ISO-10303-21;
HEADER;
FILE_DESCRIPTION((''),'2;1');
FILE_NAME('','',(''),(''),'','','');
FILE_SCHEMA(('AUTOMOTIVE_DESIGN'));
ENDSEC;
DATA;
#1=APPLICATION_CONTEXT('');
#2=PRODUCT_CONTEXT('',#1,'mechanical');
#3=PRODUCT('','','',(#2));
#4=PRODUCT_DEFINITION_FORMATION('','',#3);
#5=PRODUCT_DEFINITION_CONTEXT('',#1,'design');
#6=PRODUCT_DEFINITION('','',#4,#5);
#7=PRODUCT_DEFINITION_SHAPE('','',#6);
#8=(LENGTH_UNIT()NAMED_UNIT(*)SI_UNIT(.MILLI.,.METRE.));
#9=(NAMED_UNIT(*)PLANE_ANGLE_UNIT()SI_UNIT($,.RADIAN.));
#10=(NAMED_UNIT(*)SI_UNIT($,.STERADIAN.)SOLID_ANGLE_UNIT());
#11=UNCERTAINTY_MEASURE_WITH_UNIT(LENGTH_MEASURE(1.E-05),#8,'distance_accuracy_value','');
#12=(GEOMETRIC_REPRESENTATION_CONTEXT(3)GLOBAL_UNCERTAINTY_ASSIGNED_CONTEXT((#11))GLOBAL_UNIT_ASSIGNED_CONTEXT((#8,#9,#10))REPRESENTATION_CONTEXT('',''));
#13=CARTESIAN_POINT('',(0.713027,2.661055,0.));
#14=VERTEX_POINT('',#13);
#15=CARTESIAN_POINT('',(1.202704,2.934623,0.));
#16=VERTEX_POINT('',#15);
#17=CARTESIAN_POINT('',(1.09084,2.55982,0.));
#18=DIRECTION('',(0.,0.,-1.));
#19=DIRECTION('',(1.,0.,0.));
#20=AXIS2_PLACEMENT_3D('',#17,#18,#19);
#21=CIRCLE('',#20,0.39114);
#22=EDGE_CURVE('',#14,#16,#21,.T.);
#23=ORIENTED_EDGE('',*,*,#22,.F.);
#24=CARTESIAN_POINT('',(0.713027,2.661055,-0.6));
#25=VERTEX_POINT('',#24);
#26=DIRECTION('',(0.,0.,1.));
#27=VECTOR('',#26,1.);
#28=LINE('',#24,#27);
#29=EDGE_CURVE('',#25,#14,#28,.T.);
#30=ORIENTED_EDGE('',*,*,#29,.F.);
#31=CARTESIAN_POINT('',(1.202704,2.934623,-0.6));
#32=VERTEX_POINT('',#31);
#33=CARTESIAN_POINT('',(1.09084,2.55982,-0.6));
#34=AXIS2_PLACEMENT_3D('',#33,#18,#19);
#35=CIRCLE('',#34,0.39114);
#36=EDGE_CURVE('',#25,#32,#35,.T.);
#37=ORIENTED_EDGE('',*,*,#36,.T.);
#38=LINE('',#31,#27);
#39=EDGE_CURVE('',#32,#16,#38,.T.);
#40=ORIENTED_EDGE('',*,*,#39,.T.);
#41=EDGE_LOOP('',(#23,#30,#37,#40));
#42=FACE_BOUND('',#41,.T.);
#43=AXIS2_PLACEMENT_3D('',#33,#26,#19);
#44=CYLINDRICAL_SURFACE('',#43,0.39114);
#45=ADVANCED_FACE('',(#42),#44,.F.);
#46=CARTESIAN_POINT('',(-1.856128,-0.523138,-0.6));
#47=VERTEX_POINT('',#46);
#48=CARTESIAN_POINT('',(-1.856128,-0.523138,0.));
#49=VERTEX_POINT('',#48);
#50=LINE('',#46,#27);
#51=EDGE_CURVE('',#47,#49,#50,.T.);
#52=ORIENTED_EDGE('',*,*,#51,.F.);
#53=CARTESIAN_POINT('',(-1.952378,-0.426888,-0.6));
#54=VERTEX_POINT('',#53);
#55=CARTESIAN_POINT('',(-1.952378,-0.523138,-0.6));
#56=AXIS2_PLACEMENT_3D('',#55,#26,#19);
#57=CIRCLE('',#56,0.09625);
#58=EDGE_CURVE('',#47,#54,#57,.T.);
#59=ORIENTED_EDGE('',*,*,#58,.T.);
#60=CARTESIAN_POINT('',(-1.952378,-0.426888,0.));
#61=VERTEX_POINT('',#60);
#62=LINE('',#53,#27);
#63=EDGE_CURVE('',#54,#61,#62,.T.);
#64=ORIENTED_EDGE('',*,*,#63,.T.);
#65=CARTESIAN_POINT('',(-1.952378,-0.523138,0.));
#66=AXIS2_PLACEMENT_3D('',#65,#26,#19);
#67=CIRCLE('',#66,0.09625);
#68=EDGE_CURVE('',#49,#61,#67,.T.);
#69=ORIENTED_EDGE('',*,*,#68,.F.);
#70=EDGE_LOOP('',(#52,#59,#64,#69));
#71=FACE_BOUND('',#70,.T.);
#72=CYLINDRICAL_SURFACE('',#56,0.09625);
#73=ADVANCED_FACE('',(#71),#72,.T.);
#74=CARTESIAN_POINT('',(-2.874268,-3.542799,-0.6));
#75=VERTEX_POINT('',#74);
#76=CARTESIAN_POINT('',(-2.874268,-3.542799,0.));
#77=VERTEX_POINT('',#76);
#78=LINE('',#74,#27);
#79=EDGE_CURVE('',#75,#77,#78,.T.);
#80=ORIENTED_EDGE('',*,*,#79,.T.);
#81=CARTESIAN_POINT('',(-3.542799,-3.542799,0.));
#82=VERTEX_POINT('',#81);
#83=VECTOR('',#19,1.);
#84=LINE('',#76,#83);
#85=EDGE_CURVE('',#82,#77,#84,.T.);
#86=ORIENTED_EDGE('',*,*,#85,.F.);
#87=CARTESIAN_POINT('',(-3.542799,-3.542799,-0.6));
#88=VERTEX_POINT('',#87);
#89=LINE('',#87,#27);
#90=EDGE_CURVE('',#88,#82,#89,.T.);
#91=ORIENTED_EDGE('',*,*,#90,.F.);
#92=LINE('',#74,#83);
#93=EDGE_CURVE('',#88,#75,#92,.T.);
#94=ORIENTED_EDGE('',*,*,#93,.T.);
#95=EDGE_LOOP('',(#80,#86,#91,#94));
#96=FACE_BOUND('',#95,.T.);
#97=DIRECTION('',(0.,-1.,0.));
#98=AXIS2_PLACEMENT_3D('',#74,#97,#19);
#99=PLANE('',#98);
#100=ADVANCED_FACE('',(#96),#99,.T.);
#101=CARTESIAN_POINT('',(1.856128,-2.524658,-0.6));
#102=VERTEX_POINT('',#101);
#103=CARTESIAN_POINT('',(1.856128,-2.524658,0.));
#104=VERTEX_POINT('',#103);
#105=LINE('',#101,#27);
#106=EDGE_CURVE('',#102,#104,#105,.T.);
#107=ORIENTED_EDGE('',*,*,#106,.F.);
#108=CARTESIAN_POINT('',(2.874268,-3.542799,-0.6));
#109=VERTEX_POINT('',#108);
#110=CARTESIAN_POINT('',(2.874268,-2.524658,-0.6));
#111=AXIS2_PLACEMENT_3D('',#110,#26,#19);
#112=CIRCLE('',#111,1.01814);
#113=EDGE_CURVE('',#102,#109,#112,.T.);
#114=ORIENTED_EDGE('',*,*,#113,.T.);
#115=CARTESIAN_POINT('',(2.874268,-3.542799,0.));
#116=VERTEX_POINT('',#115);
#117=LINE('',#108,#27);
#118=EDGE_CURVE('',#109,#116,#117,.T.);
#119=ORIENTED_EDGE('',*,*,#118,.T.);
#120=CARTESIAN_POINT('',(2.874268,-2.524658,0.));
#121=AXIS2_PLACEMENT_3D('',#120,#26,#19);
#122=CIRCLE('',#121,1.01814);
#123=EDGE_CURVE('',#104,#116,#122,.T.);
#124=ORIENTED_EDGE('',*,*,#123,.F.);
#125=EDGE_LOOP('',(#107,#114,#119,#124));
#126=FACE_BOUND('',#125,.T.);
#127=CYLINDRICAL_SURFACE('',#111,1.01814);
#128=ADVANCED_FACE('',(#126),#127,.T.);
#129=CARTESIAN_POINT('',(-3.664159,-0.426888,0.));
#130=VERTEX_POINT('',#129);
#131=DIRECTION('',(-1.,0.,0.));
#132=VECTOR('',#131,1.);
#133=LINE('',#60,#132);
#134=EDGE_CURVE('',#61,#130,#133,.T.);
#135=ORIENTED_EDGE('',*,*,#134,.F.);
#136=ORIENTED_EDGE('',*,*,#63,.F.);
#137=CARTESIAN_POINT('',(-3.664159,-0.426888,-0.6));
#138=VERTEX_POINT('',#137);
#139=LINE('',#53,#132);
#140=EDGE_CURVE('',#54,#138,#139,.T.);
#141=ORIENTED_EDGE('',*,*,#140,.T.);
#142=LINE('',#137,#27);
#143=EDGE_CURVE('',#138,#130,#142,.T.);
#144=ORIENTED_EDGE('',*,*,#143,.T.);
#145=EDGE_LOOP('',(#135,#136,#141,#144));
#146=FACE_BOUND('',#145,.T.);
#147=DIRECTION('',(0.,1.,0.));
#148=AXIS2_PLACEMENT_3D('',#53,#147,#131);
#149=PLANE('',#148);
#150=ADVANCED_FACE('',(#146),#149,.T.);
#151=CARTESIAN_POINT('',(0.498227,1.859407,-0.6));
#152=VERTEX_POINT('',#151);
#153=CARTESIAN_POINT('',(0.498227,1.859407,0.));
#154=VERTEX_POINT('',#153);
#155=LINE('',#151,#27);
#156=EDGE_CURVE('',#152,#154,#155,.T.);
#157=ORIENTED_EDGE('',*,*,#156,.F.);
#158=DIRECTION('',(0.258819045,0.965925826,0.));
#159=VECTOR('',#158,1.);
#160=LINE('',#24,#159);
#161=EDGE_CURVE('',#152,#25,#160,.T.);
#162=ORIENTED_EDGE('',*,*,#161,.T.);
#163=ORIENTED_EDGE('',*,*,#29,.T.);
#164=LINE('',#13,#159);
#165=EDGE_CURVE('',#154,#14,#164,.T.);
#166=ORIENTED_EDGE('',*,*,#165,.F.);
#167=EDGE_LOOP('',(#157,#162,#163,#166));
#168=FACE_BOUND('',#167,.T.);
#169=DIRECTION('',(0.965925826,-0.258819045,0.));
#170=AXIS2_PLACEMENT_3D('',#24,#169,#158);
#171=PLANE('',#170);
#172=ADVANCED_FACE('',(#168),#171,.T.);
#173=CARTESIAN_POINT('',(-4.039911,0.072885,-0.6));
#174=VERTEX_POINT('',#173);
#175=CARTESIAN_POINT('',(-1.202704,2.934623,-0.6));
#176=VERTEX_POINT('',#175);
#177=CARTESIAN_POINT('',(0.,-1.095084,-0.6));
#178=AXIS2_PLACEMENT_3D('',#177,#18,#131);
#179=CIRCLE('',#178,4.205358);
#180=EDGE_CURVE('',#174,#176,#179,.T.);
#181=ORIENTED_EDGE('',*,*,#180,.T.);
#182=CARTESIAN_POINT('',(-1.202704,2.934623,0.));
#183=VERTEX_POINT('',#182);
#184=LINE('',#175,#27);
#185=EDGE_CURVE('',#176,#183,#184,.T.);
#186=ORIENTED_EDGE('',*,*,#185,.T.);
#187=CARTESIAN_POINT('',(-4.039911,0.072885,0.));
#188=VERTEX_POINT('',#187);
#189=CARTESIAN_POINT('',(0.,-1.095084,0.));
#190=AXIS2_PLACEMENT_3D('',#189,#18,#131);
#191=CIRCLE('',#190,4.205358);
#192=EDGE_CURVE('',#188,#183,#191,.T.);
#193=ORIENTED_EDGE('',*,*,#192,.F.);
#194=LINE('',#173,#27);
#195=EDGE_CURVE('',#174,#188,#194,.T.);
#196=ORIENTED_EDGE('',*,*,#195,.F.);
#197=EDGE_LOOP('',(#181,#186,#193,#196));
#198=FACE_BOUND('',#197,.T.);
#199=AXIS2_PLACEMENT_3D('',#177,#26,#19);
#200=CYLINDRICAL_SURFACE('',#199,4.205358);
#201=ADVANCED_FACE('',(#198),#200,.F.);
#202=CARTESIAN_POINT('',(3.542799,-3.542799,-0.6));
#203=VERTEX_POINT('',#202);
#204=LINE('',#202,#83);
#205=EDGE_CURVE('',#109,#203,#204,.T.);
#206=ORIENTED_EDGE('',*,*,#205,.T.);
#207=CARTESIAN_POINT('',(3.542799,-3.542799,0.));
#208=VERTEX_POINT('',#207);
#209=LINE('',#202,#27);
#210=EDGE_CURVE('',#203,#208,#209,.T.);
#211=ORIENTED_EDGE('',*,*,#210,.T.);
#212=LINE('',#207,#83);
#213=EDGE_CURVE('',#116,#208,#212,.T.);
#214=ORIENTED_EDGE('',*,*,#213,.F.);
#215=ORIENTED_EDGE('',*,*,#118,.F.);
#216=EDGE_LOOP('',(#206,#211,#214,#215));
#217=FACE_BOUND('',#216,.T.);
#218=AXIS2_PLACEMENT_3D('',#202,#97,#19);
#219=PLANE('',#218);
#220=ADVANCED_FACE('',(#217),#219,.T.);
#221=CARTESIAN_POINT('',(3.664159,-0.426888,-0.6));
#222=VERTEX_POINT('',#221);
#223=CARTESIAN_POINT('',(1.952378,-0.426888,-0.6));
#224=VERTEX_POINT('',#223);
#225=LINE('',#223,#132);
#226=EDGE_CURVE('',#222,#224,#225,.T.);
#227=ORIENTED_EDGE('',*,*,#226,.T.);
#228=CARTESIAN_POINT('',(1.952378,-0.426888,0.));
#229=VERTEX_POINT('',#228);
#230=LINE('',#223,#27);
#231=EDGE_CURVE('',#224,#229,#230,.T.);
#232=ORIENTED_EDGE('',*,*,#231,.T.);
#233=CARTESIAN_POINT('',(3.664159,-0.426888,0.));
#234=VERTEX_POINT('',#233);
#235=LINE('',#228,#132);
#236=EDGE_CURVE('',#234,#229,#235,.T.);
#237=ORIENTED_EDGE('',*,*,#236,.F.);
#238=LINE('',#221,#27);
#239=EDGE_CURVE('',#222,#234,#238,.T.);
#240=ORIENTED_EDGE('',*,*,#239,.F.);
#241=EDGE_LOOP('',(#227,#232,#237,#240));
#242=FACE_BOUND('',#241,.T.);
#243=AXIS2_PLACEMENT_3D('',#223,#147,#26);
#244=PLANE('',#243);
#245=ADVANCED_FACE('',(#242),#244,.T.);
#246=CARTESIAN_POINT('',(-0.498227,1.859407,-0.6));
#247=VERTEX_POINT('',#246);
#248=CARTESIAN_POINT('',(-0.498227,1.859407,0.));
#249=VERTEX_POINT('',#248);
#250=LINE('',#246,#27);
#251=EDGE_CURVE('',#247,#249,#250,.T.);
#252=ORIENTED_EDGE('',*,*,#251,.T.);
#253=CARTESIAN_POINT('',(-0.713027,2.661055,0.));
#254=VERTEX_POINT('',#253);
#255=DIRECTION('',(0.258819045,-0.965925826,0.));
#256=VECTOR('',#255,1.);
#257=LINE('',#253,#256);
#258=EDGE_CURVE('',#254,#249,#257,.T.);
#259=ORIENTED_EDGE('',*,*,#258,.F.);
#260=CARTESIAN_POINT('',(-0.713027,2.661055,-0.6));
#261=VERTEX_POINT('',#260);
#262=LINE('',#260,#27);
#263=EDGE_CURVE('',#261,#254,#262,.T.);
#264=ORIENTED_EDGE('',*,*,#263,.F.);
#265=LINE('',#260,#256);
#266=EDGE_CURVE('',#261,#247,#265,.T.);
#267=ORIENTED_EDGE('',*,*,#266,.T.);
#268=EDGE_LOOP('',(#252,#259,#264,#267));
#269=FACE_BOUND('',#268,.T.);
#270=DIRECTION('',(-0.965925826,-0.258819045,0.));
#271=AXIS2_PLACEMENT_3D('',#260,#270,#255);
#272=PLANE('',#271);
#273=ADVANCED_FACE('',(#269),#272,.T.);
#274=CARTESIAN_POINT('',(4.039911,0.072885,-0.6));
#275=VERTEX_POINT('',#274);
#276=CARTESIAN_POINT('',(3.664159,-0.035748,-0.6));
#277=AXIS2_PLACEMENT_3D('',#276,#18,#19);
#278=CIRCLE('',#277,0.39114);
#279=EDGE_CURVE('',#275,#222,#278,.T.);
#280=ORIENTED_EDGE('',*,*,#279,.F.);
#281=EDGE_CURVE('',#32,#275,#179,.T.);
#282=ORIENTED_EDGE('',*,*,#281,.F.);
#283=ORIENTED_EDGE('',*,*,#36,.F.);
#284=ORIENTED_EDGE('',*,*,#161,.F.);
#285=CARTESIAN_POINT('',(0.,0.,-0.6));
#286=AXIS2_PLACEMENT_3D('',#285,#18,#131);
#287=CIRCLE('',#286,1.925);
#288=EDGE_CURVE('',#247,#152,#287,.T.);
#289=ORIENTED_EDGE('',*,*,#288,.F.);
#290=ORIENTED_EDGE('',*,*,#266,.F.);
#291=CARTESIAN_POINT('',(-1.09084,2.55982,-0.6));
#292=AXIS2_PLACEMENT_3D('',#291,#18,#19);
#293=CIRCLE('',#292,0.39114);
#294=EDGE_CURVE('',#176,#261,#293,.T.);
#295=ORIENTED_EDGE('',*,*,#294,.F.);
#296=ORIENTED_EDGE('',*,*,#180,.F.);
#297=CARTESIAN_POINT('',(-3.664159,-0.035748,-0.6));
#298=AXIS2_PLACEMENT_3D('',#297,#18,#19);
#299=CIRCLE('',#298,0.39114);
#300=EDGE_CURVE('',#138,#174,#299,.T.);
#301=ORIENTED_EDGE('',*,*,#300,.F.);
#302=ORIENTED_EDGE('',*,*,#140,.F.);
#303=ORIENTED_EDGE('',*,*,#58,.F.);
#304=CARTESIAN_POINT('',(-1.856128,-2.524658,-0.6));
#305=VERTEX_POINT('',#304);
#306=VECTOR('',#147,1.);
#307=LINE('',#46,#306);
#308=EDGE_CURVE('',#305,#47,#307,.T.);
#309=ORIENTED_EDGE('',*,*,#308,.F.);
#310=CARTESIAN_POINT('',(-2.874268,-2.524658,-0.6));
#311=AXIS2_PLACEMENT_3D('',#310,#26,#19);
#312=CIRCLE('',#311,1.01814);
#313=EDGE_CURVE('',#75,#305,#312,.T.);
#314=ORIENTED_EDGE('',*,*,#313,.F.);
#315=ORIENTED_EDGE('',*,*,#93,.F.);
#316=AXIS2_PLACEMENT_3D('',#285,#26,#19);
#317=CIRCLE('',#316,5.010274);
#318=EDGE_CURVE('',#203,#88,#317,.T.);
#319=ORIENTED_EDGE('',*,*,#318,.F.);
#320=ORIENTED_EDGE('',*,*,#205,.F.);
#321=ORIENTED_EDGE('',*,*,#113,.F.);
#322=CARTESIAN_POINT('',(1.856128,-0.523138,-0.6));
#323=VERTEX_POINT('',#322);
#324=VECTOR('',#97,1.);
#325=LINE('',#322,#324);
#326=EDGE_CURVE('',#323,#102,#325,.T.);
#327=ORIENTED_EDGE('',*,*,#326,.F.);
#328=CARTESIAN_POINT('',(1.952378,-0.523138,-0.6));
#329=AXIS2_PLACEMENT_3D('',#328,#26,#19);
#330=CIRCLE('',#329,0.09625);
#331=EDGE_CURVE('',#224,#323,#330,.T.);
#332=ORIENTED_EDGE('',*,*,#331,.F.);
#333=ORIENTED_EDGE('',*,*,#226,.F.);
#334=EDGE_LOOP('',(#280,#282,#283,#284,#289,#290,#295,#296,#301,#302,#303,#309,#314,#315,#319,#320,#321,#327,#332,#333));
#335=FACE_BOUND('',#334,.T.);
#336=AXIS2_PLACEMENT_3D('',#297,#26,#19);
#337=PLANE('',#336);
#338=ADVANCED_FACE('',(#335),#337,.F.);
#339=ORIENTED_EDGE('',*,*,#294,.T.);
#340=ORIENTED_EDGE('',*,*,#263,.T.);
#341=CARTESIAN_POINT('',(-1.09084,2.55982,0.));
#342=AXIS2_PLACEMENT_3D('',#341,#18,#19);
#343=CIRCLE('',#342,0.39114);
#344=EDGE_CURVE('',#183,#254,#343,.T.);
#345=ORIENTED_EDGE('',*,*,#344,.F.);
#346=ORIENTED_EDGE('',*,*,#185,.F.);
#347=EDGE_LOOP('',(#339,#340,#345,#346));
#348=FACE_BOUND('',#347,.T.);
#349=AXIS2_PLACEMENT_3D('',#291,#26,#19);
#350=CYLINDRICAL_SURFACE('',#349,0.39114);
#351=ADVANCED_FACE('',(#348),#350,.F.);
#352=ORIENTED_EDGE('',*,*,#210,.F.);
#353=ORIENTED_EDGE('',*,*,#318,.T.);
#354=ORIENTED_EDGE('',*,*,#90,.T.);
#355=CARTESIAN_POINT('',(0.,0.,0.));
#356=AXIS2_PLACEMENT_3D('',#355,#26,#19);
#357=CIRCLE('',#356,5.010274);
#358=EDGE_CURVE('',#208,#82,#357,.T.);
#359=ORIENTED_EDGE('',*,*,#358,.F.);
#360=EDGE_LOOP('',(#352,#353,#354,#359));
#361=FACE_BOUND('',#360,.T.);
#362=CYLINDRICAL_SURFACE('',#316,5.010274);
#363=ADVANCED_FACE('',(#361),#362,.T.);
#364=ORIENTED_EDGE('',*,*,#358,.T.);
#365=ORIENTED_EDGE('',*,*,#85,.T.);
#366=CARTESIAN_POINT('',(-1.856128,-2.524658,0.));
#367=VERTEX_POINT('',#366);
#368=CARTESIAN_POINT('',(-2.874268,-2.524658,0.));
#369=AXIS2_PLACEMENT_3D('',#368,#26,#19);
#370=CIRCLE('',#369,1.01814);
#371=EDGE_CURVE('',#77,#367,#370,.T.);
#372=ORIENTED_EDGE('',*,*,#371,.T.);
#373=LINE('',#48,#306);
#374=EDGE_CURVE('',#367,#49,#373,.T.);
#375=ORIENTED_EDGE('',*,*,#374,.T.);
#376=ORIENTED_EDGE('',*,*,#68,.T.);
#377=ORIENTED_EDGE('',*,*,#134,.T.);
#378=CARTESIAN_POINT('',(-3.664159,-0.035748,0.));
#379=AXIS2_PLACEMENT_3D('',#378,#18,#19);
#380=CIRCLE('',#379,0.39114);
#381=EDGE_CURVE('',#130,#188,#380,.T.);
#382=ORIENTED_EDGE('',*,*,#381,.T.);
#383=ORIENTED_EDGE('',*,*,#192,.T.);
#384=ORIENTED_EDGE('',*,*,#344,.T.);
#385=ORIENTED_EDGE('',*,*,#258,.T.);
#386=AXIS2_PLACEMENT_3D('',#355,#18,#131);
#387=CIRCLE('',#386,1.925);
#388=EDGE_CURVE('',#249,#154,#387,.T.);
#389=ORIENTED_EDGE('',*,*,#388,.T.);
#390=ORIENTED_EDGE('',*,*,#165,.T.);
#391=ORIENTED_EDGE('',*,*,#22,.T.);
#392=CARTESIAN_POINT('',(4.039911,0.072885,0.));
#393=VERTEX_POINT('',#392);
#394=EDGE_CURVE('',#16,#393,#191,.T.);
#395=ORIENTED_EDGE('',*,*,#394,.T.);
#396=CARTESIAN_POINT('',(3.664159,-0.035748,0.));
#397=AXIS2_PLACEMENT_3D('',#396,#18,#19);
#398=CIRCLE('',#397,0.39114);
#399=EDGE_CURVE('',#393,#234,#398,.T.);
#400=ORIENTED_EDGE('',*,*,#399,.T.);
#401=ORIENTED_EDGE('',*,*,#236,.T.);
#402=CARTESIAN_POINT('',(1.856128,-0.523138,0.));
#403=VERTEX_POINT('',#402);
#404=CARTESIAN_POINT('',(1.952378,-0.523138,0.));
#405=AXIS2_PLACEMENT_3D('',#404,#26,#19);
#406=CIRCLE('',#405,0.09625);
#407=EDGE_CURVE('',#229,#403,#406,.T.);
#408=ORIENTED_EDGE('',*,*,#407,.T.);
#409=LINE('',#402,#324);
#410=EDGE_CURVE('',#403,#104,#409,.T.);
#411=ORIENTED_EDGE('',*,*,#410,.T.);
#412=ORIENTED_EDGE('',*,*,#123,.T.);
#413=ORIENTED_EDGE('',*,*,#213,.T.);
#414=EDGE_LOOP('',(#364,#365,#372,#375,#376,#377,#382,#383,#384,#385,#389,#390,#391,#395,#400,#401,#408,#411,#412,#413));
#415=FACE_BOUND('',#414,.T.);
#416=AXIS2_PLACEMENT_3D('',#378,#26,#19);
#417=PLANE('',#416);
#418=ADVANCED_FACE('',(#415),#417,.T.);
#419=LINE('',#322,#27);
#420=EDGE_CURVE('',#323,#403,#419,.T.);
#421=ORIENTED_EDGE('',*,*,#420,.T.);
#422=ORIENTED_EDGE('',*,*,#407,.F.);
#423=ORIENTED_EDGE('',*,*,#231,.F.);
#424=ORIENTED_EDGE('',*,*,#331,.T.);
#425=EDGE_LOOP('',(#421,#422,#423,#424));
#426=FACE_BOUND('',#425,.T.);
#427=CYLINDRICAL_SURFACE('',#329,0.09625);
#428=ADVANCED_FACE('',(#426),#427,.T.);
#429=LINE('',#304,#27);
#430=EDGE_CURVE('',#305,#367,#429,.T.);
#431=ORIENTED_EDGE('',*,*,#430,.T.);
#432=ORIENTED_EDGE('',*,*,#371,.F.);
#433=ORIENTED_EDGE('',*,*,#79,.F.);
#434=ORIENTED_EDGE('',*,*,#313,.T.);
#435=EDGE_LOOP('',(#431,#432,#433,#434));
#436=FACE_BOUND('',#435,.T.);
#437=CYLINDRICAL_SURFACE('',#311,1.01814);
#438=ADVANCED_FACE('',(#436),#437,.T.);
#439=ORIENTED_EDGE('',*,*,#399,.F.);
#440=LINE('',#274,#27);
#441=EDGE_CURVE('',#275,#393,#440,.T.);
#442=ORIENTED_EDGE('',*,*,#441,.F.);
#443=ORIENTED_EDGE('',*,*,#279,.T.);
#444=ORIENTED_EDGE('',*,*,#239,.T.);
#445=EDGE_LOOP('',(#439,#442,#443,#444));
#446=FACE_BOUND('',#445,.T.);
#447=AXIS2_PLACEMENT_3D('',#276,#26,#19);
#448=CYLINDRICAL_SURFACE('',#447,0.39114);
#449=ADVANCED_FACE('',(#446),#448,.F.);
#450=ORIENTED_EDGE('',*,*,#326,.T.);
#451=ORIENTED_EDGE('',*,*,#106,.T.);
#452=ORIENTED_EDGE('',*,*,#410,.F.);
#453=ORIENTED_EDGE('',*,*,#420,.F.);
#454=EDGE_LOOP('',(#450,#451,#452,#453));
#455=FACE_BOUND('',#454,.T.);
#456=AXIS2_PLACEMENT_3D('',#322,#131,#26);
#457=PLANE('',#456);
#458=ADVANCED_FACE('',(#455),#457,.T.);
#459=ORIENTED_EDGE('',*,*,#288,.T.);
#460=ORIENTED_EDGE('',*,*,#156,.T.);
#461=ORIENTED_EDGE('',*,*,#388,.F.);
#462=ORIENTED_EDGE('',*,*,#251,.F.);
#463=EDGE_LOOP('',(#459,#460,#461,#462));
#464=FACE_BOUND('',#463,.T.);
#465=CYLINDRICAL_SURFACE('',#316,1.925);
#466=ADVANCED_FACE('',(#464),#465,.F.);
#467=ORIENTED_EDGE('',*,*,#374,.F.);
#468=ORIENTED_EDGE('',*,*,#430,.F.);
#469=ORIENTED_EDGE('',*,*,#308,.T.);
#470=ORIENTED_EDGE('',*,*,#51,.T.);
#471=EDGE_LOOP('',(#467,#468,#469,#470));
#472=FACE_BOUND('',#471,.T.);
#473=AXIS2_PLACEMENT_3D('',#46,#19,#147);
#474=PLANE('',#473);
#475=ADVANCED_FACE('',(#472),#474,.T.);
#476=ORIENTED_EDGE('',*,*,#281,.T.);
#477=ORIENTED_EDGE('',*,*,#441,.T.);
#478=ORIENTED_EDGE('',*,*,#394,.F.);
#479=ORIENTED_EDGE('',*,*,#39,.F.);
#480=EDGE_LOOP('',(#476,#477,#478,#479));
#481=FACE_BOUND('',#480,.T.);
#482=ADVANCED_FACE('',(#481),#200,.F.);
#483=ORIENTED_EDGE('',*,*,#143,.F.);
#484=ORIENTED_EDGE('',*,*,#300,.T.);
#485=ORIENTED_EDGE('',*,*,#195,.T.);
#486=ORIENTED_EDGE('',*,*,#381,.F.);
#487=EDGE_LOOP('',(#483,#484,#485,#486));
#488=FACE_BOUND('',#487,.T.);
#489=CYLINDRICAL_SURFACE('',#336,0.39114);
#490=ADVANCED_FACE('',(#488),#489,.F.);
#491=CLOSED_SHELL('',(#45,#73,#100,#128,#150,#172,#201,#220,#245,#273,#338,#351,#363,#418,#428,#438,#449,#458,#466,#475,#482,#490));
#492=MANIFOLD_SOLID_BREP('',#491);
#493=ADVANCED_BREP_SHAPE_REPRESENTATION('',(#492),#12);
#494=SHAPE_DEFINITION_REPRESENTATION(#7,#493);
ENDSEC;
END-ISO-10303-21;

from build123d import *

# Parameters (mm, degrees)
BODY_DEPTH = 0.6


with BuildPart() as part:
    # BodySke → Body (new body)
    with BuildSketch(Plane.XY):
        with BuildLine():
            Line((3.542798702, -3.542798702), (2.874267987, -3.542798702))
            ThreePointArc((2.874267987, -3.542798702), (2.154333999, -3.244592279), (1.856127576, -2.524658291))
            Line((1.856127576, -2.524658291), (1.856127576, -0.523137995))
            ThreePointArc((1.856127576, -0.523137995), (1.884318549, -0.455078967), (1.952377576, -0.426887995))
            Line((1.952377576, -0.426887995), (3.664158868, -0.426887995))
            ThreePointArc((3.664158868, -0.426887995), (3.976794043, -0.270800915), (4.039911091, 0.072885231))
            ThreePointArc((4.039911091, 0.072885231), (2.986408887, 1.865726167), (1.202703544, 2.934623154))
            ThreePointArc((1.202703544, 2.934623154), (0.900072735, 2.901285473), (0.713027436, 2.661054618))
            Line((0.713027436, 2.661054618), (0.498226662, 1.859407216))
            ThreePointArc((0.498226662, 1.859407216), (0, 1.925), (-0.498226662, 1.859407216))
            Line((-0.498226662, 1.859407216), (-0.713027436, 2.661054618))
            ThreePointArc((-0.713027436, 2.661054618), (-0.900072735, 2.901285473), (-1.202703544, 2.934623154))
            ThreePointArc((-1.202703544, 2.934623154), (-2.986408887, 1.865726167), (-4.039911091, 0.072885231))
            ThreePointArc((-4.039911091, 0.072885231), (-3.976794043, -0.270800915), (-3.664158868, -0.426887995))
            Line((-3.664158868, -0.426887995), (-1.952377576, -0.426887995))
            ThreePointArc((-1.952377576, -0.426887995), (-1.884318549, -0.455078967), (-1.856127576, -0.523137995))
            Line((-1.856127576, -0.523137995), (-1.856127576, -2.524658291))
            ThreePointArc((-1.856127576, -2.524658291), (-2.154333999, -3.244592279), (-2.874267987, -3.542798702))
            Line((-2.874267987, -3.542798702), (-3.542798702, -3.542798702))
            ThreePointArc((-3.542798702, -3.542798702), (0, 5.010273973), (3.542798702, -3.542798702))
        make_face()
    extrude(amount=-BODY_DEPTH)


solid = part.part
